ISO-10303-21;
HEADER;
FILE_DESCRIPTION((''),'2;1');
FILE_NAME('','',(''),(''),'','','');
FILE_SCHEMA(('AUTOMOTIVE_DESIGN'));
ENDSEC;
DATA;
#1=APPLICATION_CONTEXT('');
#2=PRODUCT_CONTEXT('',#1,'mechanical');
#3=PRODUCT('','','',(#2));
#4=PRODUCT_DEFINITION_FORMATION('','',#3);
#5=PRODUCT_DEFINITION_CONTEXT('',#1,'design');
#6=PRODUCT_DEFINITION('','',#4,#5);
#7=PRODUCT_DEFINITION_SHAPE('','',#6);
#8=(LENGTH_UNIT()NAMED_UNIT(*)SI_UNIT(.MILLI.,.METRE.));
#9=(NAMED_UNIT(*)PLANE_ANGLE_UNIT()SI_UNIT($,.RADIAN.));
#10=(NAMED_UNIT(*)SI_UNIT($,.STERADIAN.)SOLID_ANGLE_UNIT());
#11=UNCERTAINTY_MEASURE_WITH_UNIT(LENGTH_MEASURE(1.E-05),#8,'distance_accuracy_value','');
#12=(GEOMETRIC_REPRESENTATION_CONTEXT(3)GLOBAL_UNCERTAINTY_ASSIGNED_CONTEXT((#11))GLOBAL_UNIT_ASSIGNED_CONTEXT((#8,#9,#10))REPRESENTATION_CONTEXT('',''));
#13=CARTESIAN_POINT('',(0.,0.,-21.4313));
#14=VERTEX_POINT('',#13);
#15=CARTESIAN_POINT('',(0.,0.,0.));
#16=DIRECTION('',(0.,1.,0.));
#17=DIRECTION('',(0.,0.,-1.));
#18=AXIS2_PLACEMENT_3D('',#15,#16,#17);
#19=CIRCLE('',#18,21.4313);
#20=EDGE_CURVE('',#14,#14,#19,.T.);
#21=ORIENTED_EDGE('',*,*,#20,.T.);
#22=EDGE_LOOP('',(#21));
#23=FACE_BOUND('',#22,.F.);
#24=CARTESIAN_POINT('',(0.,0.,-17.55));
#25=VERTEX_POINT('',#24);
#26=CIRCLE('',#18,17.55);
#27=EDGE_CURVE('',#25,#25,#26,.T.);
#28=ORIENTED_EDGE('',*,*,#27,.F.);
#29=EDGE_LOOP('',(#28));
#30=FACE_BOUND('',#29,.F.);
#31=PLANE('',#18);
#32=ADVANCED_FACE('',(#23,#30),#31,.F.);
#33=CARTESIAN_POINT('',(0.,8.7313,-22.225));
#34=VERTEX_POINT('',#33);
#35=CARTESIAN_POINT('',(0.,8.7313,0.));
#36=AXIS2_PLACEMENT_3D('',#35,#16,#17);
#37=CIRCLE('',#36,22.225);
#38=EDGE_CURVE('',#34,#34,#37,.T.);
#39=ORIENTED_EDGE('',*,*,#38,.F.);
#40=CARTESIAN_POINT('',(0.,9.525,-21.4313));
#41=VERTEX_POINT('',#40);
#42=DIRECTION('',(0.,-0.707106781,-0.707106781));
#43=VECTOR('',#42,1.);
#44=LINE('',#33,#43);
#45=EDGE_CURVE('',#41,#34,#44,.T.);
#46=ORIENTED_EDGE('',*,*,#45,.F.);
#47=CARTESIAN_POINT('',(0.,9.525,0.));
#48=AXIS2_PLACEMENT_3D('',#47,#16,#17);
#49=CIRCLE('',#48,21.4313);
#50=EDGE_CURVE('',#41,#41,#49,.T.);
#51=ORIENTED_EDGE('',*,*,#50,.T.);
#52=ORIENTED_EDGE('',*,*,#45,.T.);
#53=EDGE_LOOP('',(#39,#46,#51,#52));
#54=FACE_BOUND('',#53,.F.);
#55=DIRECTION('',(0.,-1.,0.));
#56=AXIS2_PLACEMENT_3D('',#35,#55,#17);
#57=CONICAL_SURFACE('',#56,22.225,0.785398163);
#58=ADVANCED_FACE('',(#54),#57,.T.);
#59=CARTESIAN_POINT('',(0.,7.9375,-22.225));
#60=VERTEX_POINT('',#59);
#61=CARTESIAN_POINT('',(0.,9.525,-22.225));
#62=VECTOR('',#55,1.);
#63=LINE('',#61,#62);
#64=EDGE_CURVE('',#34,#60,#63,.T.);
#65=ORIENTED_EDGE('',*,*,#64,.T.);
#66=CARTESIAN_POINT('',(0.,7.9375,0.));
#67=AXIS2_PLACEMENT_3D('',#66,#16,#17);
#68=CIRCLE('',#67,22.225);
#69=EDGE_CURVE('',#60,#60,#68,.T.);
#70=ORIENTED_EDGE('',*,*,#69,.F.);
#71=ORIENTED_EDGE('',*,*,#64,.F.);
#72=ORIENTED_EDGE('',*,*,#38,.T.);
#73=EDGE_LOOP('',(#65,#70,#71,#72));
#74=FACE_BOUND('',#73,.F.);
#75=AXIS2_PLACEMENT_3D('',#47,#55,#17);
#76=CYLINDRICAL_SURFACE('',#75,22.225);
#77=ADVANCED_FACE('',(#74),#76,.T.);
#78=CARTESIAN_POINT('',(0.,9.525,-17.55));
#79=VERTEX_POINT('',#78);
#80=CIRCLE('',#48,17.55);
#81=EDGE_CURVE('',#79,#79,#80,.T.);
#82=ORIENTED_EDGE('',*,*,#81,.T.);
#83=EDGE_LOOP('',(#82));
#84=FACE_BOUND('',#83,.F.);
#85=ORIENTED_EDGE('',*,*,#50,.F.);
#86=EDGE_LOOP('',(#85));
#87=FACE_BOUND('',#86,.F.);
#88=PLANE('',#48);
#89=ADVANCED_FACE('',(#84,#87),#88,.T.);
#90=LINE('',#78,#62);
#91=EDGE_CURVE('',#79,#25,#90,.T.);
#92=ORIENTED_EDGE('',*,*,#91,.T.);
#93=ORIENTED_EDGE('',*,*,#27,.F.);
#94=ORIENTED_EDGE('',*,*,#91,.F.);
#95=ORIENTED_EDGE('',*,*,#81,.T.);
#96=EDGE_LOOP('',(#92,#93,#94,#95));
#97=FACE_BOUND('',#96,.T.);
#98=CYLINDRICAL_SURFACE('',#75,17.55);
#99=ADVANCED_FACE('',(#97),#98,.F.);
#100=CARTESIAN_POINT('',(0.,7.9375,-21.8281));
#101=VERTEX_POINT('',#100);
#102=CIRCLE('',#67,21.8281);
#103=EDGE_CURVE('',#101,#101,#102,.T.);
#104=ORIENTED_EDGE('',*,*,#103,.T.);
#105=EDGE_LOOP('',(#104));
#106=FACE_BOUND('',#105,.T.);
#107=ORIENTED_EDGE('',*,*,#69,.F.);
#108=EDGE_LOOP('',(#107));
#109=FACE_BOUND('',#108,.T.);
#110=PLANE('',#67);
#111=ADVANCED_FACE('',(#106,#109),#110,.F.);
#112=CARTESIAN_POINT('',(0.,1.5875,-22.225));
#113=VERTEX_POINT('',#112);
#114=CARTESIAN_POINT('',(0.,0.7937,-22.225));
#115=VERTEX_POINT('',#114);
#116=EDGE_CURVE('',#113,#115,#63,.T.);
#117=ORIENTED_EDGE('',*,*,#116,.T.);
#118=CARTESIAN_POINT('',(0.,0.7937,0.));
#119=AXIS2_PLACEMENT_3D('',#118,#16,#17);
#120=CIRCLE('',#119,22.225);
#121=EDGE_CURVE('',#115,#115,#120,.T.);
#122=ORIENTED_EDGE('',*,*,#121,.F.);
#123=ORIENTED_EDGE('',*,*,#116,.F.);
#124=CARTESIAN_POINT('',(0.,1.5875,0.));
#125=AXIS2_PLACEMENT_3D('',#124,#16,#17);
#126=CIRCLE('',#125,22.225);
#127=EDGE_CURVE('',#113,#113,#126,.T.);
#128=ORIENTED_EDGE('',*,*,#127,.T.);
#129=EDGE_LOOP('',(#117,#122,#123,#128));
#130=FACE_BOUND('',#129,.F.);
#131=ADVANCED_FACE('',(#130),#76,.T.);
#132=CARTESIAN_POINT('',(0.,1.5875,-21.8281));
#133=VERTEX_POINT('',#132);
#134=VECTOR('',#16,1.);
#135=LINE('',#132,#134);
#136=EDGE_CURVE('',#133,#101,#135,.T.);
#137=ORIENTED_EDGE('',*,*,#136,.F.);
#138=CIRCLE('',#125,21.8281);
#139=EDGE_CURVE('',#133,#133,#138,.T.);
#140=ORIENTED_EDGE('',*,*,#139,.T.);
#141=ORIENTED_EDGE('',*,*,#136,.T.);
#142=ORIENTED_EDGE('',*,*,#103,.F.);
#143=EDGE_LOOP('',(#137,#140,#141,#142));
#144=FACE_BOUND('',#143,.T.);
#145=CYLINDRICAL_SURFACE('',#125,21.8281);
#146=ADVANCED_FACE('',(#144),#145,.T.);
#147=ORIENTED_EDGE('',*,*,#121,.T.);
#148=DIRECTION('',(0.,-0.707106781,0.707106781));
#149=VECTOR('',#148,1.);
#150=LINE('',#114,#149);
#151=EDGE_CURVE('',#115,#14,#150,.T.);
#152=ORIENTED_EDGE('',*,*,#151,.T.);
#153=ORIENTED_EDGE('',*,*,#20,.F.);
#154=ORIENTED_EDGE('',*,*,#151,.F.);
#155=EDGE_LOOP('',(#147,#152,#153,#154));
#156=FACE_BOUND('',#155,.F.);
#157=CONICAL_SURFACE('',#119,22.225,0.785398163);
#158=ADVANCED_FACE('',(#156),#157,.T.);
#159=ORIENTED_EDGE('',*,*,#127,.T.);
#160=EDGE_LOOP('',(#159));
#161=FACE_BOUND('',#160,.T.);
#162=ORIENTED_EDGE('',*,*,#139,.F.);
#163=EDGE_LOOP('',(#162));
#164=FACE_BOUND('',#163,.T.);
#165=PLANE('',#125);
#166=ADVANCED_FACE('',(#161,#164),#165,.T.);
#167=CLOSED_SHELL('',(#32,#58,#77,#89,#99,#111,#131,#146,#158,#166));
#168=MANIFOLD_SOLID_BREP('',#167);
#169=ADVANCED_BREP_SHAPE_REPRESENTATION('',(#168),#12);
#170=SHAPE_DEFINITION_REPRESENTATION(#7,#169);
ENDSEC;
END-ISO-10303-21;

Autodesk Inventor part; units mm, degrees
ref_plane "YZ Plane" through (0, 0, 0) normal (1, 0, 0) x (0, 1, 0)
ref_plane "XZ Plane" through (0, 0, 0) normal (0, 1, 0) x (-1, 0, 0)
ref_plane "XY Plane" through (0, 0, 0) normal (0, 0, 1) x (1, 0, 0)
sketch "Sketch1" plane through (0, 0, 0) normal (1, 0, 0) x (0, 1, 0)
  line L0 (0, 0) -> (9.525, 0)
  line L1 (9.525, 0) -> (9.525, -17.55)
  line L2 (9.525, -17.55) -> (0, -17.55)
  line L3 (0, -17.55) -> (0, 0)
  line L4 (0, 0) -> (9.525, 0)
  line L5 (9.525, 0) -> (9.525, -22.225)
  line L6 (9.525, -22.225) -> (0, -22.225)
  line L7 (0, -22.225) -> (0, 0)
  line L8 (1.5875, -21.8281) -> (7.9375, -21.8281)
  line L9 (7.9375, -21.8281) -> (7.9375, -22.6219)
  line L10 (7.9375, -22.6219) -> (1.5875, -22.6219) construction
  line L11 (1.5875, -22.6219) -> (1.5875, -21.8281)
  line L12 (1.5875, -21.8281) -> (7.9375, -22.6219) construction
  line L13 (7.9375, -21.8281) -> (1.5875, -22.6219) construction
  point P0 (4.7625, -22.225)
  point P1 (7.9375, -22.225)
  point P2 (1.5875, -22.225)
  dimension "d0" = 17.55
  dimension "d1" = 9.525
  dimension "d2" = 22.225
  dimension "d3" = 6.35
  dimension "d4" = 0.7937
revolve "Revolution1" add sketch "Sketch1" angle 360 about axis through (0, 0, 0) along (0, 1, 0) contours L2 L5 L6 L9 L8 L11 L7
chamfer "Chamfer1" distance 0.7937 angle 45 2 edges at (0, 9.525, 22.225) (0, 0, 22.225)
properties part number "Band - Hub" material "Nylon 6/6"
